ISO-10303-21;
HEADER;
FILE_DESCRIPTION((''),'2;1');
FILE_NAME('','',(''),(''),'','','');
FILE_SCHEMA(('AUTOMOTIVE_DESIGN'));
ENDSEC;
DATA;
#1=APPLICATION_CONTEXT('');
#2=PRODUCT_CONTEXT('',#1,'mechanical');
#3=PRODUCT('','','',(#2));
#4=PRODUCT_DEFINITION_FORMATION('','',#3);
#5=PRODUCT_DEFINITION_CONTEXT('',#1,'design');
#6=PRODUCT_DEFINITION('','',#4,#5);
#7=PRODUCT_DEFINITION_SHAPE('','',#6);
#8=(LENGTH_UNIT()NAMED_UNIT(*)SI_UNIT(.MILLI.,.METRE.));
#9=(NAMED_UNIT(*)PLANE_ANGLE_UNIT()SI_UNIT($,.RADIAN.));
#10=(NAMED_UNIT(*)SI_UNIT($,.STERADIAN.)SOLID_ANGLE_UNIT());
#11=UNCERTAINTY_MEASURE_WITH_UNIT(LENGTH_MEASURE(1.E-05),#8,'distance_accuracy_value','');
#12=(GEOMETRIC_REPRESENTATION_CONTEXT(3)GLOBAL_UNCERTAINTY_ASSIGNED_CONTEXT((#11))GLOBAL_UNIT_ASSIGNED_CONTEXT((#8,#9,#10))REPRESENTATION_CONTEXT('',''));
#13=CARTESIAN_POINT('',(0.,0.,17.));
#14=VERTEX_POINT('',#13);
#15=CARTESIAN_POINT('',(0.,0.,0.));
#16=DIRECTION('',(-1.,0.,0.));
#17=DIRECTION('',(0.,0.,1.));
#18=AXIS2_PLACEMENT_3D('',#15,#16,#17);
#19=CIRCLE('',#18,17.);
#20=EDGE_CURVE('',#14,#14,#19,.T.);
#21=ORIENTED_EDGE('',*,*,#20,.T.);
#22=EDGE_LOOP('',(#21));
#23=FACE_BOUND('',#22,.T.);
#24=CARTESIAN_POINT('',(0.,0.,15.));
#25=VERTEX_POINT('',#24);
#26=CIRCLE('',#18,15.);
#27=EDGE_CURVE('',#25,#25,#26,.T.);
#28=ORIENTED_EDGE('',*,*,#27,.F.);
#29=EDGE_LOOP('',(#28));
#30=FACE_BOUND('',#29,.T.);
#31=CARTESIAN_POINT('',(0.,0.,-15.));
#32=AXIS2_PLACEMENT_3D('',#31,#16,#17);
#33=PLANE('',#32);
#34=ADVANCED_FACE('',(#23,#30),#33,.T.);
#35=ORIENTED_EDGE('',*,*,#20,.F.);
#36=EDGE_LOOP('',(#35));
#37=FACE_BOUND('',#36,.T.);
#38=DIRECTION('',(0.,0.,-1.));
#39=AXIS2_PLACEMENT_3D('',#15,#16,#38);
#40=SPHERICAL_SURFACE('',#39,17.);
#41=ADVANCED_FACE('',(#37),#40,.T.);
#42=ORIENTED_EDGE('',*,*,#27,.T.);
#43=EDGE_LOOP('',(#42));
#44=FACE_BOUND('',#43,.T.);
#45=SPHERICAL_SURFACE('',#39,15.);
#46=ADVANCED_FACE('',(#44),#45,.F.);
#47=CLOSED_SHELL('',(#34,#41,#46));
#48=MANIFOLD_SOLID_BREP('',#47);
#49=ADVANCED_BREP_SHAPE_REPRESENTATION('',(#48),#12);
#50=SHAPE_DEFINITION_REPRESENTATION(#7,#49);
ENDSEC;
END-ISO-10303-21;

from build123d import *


with BuildPart() as part:
    # Sketch2 → Revolve-Thin4 (revolve)
    with BuildSketch(Plane(origin=(0, 0, 0), x_dir=(1, 0, 0), z_dir=(0, 1, 0))):
        with BuildLine():
            ThreePointArc((0, 17), (12.02081528, 12.02081528), (17, 0))
            Line((17, 0), (15, 0))
            ThreePointArc((15, 0), (10.606601718, 10.606601718), (0, 15))
            Line((0, 15), (0, 17))
        make_face()
    revolve(axis=Axis((13, 0, 0), (1, 0, 0)))


solid = part.part
